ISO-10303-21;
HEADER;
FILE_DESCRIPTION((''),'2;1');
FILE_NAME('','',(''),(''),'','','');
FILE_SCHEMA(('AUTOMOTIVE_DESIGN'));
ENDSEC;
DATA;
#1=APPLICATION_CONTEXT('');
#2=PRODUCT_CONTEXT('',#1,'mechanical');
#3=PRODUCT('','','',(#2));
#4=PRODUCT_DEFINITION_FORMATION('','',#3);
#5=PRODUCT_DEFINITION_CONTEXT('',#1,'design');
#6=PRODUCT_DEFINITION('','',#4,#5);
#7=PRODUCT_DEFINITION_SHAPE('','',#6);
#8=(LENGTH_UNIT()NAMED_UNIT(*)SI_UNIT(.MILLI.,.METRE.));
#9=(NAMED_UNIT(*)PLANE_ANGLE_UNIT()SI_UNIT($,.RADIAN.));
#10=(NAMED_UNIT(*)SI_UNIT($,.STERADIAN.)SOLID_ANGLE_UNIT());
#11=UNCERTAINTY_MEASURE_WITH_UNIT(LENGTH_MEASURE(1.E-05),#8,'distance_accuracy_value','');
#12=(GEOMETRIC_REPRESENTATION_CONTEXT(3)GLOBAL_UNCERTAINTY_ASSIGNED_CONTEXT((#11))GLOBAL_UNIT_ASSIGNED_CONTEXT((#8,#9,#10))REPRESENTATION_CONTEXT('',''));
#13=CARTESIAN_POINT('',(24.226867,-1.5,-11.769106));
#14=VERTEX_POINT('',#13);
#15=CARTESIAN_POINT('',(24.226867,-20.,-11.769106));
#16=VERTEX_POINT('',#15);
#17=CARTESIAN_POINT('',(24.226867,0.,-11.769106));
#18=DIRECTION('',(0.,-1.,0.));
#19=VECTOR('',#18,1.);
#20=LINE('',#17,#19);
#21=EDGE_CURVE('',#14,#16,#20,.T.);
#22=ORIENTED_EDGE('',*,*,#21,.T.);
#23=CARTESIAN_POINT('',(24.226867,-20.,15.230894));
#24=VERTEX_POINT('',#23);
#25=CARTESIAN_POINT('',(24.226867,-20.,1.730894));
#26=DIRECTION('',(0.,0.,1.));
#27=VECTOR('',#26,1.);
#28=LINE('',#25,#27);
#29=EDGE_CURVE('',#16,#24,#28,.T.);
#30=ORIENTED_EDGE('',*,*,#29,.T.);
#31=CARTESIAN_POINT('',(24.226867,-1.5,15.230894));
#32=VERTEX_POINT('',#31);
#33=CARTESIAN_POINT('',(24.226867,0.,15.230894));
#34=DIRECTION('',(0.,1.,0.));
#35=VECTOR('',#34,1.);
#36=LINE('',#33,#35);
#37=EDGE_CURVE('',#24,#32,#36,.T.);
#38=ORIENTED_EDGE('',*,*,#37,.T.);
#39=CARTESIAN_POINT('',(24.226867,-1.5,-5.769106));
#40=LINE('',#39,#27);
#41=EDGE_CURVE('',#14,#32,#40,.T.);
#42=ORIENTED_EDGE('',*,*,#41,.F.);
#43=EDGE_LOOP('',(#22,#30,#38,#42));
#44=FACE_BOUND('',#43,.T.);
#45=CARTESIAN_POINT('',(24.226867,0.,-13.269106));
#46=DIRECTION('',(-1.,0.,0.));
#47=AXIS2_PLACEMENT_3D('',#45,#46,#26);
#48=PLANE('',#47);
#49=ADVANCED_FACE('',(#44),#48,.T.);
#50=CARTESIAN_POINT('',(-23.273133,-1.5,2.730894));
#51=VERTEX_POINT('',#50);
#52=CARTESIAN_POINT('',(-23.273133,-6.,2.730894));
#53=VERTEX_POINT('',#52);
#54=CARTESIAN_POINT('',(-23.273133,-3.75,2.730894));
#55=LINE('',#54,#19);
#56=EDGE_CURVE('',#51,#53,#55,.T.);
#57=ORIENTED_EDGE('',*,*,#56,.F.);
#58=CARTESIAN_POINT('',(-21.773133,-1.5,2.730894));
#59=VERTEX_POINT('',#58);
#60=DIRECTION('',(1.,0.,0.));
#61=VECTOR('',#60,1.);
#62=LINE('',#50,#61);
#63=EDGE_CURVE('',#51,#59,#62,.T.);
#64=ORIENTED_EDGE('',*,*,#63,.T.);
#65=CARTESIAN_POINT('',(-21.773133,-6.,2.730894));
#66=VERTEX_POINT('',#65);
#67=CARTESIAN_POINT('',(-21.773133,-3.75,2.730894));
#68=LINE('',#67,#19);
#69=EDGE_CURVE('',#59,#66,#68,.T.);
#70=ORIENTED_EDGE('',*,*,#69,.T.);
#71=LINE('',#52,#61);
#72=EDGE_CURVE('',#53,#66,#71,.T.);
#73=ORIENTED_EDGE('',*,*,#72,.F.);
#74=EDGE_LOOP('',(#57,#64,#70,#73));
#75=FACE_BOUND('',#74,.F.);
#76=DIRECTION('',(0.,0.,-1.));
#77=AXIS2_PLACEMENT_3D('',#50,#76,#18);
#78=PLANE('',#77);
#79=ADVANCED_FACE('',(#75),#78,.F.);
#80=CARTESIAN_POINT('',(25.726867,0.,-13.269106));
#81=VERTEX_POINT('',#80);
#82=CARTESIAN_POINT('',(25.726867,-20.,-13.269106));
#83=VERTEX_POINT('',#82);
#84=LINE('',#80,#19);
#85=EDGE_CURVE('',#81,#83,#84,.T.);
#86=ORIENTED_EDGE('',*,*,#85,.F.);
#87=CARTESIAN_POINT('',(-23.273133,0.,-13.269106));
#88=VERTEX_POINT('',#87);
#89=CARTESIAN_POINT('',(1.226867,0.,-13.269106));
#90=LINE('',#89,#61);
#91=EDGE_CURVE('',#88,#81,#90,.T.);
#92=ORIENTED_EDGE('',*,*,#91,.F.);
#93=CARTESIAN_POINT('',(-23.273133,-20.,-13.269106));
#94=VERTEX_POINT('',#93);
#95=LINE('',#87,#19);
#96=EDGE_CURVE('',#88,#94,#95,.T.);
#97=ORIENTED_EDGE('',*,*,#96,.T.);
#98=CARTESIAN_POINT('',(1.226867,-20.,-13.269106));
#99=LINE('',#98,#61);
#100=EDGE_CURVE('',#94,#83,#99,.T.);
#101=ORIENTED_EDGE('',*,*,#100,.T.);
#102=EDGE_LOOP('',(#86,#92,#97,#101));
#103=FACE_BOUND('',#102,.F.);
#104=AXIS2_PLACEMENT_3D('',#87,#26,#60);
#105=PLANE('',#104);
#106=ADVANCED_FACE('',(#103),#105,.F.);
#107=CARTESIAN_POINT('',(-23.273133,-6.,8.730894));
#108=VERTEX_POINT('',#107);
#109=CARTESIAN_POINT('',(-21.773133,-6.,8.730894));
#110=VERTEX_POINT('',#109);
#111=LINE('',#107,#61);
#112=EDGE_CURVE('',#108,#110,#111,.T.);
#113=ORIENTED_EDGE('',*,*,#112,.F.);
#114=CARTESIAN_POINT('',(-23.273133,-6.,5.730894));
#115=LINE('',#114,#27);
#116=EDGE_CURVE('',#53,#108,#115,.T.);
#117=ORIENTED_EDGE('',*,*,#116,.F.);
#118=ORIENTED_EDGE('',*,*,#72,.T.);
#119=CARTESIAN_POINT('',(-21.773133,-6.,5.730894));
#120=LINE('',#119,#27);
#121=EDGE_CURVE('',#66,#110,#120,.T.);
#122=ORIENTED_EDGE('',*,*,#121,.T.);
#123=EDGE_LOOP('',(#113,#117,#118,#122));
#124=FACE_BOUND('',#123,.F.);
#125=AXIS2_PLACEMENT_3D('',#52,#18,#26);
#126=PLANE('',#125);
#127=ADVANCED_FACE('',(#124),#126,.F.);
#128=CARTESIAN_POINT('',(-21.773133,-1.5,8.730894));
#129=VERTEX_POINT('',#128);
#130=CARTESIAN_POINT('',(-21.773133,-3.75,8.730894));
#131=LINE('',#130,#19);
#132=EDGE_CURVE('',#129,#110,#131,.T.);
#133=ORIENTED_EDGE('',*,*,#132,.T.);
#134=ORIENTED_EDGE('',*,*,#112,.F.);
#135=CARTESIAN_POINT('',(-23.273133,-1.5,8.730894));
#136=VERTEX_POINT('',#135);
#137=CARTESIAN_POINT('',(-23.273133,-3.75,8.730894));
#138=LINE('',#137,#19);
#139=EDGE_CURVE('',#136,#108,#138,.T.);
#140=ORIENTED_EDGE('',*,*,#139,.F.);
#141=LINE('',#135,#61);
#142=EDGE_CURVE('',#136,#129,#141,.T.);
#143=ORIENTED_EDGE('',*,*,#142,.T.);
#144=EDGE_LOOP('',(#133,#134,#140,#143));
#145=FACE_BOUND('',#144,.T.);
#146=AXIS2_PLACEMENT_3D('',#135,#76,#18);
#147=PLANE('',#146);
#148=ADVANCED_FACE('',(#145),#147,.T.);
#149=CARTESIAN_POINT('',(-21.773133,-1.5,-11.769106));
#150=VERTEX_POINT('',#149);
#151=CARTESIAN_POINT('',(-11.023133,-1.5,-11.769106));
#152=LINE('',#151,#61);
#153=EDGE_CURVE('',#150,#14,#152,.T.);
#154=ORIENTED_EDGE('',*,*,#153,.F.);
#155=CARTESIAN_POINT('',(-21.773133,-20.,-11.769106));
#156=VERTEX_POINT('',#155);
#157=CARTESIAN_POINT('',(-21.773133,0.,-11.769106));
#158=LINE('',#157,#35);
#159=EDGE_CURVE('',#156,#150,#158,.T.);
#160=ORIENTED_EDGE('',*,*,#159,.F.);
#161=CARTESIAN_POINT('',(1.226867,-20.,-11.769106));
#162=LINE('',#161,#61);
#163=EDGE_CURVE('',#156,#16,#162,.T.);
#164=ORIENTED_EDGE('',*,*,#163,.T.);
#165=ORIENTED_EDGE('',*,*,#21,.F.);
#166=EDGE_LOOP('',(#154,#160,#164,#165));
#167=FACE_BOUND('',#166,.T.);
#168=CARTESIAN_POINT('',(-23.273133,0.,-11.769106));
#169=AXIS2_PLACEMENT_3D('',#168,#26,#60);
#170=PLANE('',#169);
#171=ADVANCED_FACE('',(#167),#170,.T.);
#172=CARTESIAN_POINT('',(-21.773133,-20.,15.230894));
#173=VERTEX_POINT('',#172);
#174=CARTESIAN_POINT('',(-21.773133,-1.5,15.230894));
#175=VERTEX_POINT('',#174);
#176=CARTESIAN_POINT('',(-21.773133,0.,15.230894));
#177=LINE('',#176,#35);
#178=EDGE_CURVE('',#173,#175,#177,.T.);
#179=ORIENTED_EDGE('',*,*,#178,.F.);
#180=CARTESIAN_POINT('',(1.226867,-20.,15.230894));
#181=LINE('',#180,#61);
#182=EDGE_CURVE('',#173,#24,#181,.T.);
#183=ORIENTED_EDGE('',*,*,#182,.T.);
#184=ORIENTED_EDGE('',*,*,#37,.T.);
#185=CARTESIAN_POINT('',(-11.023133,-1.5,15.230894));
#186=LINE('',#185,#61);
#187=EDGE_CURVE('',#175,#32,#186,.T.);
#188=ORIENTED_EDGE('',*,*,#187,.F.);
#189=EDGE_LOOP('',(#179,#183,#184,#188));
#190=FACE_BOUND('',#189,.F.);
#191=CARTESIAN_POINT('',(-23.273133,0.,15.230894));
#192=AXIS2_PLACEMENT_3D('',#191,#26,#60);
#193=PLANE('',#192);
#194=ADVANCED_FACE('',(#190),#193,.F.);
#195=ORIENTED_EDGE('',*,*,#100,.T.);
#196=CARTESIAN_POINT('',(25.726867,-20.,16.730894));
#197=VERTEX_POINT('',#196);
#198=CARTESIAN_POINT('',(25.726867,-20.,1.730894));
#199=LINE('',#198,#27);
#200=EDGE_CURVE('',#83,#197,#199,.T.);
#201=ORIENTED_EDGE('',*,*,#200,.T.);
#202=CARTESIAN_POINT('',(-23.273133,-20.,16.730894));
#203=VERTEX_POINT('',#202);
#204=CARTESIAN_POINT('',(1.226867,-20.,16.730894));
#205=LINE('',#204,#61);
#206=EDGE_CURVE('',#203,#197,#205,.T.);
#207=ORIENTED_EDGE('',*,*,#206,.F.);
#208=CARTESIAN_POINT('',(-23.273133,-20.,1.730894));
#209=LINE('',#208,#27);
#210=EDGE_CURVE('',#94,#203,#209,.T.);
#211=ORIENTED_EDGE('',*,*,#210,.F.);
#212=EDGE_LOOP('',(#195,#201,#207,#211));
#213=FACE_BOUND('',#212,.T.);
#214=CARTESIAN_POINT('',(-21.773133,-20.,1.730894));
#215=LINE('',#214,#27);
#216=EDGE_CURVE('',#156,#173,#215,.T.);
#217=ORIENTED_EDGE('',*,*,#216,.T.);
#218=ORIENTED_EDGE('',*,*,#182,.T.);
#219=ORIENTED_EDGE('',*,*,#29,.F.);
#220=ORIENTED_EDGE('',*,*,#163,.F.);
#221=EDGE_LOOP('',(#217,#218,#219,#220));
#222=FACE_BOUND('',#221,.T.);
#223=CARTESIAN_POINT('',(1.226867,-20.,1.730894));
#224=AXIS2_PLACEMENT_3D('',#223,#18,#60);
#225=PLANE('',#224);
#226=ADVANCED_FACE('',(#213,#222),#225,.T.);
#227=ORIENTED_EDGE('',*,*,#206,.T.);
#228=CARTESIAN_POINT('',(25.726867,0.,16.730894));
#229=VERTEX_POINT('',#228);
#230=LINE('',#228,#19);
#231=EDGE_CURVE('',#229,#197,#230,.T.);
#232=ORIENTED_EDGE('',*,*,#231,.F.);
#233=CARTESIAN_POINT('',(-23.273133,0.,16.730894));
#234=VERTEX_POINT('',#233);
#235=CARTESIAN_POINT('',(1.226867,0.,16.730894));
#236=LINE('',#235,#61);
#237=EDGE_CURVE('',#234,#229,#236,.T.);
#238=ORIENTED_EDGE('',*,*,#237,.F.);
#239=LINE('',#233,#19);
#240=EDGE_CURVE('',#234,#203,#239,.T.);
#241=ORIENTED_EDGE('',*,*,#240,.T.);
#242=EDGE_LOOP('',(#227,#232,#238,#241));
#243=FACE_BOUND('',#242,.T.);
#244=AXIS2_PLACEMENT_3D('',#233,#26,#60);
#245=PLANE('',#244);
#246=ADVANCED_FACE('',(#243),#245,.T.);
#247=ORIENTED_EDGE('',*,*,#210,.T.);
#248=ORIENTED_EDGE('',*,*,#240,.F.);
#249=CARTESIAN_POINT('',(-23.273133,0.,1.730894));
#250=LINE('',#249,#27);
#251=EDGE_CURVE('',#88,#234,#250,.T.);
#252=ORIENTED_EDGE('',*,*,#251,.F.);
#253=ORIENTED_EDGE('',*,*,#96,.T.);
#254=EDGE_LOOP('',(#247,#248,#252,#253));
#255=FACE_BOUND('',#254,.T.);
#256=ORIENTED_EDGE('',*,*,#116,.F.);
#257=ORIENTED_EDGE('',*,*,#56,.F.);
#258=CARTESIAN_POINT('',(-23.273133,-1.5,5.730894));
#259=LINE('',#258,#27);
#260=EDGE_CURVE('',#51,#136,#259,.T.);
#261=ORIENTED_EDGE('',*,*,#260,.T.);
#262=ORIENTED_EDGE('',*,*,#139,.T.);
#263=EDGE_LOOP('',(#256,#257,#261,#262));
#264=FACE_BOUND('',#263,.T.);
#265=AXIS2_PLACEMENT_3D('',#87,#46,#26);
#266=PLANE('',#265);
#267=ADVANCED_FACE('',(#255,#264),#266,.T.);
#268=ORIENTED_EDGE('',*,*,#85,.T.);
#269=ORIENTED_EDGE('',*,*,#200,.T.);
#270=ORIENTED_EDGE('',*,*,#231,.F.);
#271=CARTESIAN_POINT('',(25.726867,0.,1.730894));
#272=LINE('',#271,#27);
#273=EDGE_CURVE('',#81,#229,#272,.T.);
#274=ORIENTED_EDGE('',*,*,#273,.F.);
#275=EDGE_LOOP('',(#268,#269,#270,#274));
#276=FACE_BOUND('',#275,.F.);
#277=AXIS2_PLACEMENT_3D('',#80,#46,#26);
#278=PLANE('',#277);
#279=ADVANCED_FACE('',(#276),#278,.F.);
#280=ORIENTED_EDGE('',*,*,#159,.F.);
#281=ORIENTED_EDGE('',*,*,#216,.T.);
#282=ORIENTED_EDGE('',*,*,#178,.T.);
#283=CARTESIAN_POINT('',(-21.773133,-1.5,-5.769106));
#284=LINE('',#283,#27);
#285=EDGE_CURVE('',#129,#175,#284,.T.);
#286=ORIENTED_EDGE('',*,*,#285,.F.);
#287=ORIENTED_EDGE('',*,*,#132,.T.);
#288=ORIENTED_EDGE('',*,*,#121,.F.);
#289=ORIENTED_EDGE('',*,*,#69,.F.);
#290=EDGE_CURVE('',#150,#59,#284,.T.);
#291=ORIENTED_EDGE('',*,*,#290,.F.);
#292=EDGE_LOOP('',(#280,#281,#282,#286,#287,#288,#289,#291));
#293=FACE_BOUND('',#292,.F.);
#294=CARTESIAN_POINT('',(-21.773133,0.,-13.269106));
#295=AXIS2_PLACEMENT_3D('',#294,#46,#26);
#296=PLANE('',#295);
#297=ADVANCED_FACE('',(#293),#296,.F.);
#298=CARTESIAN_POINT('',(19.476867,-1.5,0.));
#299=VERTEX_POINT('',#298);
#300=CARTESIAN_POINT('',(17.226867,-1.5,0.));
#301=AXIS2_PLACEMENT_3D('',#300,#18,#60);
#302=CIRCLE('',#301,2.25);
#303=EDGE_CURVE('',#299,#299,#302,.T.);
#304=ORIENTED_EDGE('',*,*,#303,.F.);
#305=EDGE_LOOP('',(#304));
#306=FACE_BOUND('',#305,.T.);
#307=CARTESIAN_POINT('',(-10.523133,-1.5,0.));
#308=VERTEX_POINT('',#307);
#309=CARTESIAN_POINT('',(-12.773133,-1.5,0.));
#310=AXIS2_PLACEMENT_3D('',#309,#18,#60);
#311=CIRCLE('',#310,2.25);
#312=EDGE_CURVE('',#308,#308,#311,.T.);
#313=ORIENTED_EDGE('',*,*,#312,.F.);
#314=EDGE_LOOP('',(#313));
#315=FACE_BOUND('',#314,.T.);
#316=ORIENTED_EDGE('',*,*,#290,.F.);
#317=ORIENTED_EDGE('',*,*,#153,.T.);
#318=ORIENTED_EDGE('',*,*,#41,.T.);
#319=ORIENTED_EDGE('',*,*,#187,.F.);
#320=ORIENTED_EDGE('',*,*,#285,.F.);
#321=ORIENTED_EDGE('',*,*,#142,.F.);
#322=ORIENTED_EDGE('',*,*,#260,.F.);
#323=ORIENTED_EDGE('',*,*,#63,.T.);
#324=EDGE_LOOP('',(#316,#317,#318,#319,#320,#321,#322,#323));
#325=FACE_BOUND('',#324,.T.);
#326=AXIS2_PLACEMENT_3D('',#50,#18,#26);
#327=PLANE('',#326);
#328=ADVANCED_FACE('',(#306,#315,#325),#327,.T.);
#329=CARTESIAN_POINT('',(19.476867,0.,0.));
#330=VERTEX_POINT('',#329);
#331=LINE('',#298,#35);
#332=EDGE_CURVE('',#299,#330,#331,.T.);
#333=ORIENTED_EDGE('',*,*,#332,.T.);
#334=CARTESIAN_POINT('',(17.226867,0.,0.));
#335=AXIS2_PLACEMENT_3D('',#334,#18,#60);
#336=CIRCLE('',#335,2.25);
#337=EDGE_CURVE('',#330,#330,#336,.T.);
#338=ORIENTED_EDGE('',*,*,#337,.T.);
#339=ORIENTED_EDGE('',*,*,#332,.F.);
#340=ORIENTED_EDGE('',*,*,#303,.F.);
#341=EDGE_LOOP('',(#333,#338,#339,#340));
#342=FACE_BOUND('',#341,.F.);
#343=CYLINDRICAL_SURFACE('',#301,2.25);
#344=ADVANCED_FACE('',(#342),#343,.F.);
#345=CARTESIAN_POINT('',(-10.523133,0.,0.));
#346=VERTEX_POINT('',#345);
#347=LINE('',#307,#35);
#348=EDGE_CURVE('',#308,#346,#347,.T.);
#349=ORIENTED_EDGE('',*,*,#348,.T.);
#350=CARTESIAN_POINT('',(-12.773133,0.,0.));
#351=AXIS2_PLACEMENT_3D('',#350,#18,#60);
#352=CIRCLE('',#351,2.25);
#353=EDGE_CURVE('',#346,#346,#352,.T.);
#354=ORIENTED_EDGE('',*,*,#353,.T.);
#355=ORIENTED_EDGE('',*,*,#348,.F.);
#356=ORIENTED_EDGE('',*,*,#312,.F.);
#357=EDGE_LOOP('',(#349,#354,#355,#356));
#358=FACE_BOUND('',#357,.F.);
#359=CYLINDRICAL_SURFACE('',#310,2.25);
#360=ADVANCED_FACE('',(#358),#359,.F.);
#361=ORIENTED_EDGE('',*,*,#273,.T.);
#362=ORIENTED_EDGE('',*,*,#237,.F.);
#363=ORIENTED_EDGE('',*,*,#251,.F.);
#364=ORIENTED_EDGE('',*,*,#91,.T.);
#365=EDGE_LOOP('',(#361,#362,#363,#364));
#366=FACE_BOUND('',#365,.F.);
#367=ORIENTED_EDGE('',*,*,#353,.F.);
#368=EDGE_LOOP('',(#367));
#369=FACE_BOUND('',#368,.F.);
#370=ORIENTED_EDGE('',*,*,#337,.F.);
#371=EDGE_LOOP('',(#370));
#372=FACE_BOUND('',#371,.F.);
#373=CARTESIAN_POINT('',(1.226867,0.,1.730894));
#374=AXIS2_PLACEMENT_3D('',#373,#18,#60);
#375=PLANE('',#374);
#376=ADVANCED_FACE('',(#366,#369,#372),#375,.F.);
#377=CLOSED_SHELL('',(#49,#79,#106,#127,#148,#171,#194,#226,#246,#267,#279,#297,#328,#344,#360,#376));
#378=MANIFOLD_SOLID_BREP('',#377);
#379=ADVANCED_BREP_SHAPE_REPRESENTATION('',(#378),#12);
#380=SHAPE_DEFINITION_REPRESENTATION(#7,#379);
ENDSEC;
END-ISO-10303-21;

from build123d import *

# Parameters (mm, degrees)
F0_W     = 49
F0_H     = 30
F1_DEPTH = 20
F2_T     = -1.5
F3_R     = 2.25
F4_DEPTH = 1.5
F5_W     = 4.5
F5_H     = 6
F6_DEPTH = 1.5


with BuildPart() as f1:
    # F0 (on Front) → F1 (new body)
    with BuildSketch(Plane.XZ):
        with Locations((1.226867, 1.730894)):
            Rectangle(F0_W, F0_H)
    extrude(amount=F1_DEPTH)

    # F2
    f2_openings = [f1.faces().sort_by_distance(p)[0] for p in [
        (1.226867, -20, 1.730894),
    ]]
    offset(amount=F2_T, openings=f2_openings)

    # F3 (on face) → F4 (cut, through all)
    with BuildSketch(Plane.XZ.offset(1.5)):
        with Locations((-12.773133, 0)):
            Circle(F3_R)
        with Locations((17.226867, 0)):
            Circle(F3_R)
    extrude(amount=-F4_DEPTH, mode=Mode.SUBTRACT)

    # F5 (on face) → F6 (cut, through all)
    with BuildSketch(Plane(origin=(-23.273133, 0, 0), x_dir=(0, -1, 0), z_dir=(-1, 0, 0))):
        with Locations((3.75, 5.730894)):
            Rectangle(F5_W, F5_H)
    extrude(amount=-F6_DEPTH, mode=Mode.SUBTRACT)


solid = f1.part
